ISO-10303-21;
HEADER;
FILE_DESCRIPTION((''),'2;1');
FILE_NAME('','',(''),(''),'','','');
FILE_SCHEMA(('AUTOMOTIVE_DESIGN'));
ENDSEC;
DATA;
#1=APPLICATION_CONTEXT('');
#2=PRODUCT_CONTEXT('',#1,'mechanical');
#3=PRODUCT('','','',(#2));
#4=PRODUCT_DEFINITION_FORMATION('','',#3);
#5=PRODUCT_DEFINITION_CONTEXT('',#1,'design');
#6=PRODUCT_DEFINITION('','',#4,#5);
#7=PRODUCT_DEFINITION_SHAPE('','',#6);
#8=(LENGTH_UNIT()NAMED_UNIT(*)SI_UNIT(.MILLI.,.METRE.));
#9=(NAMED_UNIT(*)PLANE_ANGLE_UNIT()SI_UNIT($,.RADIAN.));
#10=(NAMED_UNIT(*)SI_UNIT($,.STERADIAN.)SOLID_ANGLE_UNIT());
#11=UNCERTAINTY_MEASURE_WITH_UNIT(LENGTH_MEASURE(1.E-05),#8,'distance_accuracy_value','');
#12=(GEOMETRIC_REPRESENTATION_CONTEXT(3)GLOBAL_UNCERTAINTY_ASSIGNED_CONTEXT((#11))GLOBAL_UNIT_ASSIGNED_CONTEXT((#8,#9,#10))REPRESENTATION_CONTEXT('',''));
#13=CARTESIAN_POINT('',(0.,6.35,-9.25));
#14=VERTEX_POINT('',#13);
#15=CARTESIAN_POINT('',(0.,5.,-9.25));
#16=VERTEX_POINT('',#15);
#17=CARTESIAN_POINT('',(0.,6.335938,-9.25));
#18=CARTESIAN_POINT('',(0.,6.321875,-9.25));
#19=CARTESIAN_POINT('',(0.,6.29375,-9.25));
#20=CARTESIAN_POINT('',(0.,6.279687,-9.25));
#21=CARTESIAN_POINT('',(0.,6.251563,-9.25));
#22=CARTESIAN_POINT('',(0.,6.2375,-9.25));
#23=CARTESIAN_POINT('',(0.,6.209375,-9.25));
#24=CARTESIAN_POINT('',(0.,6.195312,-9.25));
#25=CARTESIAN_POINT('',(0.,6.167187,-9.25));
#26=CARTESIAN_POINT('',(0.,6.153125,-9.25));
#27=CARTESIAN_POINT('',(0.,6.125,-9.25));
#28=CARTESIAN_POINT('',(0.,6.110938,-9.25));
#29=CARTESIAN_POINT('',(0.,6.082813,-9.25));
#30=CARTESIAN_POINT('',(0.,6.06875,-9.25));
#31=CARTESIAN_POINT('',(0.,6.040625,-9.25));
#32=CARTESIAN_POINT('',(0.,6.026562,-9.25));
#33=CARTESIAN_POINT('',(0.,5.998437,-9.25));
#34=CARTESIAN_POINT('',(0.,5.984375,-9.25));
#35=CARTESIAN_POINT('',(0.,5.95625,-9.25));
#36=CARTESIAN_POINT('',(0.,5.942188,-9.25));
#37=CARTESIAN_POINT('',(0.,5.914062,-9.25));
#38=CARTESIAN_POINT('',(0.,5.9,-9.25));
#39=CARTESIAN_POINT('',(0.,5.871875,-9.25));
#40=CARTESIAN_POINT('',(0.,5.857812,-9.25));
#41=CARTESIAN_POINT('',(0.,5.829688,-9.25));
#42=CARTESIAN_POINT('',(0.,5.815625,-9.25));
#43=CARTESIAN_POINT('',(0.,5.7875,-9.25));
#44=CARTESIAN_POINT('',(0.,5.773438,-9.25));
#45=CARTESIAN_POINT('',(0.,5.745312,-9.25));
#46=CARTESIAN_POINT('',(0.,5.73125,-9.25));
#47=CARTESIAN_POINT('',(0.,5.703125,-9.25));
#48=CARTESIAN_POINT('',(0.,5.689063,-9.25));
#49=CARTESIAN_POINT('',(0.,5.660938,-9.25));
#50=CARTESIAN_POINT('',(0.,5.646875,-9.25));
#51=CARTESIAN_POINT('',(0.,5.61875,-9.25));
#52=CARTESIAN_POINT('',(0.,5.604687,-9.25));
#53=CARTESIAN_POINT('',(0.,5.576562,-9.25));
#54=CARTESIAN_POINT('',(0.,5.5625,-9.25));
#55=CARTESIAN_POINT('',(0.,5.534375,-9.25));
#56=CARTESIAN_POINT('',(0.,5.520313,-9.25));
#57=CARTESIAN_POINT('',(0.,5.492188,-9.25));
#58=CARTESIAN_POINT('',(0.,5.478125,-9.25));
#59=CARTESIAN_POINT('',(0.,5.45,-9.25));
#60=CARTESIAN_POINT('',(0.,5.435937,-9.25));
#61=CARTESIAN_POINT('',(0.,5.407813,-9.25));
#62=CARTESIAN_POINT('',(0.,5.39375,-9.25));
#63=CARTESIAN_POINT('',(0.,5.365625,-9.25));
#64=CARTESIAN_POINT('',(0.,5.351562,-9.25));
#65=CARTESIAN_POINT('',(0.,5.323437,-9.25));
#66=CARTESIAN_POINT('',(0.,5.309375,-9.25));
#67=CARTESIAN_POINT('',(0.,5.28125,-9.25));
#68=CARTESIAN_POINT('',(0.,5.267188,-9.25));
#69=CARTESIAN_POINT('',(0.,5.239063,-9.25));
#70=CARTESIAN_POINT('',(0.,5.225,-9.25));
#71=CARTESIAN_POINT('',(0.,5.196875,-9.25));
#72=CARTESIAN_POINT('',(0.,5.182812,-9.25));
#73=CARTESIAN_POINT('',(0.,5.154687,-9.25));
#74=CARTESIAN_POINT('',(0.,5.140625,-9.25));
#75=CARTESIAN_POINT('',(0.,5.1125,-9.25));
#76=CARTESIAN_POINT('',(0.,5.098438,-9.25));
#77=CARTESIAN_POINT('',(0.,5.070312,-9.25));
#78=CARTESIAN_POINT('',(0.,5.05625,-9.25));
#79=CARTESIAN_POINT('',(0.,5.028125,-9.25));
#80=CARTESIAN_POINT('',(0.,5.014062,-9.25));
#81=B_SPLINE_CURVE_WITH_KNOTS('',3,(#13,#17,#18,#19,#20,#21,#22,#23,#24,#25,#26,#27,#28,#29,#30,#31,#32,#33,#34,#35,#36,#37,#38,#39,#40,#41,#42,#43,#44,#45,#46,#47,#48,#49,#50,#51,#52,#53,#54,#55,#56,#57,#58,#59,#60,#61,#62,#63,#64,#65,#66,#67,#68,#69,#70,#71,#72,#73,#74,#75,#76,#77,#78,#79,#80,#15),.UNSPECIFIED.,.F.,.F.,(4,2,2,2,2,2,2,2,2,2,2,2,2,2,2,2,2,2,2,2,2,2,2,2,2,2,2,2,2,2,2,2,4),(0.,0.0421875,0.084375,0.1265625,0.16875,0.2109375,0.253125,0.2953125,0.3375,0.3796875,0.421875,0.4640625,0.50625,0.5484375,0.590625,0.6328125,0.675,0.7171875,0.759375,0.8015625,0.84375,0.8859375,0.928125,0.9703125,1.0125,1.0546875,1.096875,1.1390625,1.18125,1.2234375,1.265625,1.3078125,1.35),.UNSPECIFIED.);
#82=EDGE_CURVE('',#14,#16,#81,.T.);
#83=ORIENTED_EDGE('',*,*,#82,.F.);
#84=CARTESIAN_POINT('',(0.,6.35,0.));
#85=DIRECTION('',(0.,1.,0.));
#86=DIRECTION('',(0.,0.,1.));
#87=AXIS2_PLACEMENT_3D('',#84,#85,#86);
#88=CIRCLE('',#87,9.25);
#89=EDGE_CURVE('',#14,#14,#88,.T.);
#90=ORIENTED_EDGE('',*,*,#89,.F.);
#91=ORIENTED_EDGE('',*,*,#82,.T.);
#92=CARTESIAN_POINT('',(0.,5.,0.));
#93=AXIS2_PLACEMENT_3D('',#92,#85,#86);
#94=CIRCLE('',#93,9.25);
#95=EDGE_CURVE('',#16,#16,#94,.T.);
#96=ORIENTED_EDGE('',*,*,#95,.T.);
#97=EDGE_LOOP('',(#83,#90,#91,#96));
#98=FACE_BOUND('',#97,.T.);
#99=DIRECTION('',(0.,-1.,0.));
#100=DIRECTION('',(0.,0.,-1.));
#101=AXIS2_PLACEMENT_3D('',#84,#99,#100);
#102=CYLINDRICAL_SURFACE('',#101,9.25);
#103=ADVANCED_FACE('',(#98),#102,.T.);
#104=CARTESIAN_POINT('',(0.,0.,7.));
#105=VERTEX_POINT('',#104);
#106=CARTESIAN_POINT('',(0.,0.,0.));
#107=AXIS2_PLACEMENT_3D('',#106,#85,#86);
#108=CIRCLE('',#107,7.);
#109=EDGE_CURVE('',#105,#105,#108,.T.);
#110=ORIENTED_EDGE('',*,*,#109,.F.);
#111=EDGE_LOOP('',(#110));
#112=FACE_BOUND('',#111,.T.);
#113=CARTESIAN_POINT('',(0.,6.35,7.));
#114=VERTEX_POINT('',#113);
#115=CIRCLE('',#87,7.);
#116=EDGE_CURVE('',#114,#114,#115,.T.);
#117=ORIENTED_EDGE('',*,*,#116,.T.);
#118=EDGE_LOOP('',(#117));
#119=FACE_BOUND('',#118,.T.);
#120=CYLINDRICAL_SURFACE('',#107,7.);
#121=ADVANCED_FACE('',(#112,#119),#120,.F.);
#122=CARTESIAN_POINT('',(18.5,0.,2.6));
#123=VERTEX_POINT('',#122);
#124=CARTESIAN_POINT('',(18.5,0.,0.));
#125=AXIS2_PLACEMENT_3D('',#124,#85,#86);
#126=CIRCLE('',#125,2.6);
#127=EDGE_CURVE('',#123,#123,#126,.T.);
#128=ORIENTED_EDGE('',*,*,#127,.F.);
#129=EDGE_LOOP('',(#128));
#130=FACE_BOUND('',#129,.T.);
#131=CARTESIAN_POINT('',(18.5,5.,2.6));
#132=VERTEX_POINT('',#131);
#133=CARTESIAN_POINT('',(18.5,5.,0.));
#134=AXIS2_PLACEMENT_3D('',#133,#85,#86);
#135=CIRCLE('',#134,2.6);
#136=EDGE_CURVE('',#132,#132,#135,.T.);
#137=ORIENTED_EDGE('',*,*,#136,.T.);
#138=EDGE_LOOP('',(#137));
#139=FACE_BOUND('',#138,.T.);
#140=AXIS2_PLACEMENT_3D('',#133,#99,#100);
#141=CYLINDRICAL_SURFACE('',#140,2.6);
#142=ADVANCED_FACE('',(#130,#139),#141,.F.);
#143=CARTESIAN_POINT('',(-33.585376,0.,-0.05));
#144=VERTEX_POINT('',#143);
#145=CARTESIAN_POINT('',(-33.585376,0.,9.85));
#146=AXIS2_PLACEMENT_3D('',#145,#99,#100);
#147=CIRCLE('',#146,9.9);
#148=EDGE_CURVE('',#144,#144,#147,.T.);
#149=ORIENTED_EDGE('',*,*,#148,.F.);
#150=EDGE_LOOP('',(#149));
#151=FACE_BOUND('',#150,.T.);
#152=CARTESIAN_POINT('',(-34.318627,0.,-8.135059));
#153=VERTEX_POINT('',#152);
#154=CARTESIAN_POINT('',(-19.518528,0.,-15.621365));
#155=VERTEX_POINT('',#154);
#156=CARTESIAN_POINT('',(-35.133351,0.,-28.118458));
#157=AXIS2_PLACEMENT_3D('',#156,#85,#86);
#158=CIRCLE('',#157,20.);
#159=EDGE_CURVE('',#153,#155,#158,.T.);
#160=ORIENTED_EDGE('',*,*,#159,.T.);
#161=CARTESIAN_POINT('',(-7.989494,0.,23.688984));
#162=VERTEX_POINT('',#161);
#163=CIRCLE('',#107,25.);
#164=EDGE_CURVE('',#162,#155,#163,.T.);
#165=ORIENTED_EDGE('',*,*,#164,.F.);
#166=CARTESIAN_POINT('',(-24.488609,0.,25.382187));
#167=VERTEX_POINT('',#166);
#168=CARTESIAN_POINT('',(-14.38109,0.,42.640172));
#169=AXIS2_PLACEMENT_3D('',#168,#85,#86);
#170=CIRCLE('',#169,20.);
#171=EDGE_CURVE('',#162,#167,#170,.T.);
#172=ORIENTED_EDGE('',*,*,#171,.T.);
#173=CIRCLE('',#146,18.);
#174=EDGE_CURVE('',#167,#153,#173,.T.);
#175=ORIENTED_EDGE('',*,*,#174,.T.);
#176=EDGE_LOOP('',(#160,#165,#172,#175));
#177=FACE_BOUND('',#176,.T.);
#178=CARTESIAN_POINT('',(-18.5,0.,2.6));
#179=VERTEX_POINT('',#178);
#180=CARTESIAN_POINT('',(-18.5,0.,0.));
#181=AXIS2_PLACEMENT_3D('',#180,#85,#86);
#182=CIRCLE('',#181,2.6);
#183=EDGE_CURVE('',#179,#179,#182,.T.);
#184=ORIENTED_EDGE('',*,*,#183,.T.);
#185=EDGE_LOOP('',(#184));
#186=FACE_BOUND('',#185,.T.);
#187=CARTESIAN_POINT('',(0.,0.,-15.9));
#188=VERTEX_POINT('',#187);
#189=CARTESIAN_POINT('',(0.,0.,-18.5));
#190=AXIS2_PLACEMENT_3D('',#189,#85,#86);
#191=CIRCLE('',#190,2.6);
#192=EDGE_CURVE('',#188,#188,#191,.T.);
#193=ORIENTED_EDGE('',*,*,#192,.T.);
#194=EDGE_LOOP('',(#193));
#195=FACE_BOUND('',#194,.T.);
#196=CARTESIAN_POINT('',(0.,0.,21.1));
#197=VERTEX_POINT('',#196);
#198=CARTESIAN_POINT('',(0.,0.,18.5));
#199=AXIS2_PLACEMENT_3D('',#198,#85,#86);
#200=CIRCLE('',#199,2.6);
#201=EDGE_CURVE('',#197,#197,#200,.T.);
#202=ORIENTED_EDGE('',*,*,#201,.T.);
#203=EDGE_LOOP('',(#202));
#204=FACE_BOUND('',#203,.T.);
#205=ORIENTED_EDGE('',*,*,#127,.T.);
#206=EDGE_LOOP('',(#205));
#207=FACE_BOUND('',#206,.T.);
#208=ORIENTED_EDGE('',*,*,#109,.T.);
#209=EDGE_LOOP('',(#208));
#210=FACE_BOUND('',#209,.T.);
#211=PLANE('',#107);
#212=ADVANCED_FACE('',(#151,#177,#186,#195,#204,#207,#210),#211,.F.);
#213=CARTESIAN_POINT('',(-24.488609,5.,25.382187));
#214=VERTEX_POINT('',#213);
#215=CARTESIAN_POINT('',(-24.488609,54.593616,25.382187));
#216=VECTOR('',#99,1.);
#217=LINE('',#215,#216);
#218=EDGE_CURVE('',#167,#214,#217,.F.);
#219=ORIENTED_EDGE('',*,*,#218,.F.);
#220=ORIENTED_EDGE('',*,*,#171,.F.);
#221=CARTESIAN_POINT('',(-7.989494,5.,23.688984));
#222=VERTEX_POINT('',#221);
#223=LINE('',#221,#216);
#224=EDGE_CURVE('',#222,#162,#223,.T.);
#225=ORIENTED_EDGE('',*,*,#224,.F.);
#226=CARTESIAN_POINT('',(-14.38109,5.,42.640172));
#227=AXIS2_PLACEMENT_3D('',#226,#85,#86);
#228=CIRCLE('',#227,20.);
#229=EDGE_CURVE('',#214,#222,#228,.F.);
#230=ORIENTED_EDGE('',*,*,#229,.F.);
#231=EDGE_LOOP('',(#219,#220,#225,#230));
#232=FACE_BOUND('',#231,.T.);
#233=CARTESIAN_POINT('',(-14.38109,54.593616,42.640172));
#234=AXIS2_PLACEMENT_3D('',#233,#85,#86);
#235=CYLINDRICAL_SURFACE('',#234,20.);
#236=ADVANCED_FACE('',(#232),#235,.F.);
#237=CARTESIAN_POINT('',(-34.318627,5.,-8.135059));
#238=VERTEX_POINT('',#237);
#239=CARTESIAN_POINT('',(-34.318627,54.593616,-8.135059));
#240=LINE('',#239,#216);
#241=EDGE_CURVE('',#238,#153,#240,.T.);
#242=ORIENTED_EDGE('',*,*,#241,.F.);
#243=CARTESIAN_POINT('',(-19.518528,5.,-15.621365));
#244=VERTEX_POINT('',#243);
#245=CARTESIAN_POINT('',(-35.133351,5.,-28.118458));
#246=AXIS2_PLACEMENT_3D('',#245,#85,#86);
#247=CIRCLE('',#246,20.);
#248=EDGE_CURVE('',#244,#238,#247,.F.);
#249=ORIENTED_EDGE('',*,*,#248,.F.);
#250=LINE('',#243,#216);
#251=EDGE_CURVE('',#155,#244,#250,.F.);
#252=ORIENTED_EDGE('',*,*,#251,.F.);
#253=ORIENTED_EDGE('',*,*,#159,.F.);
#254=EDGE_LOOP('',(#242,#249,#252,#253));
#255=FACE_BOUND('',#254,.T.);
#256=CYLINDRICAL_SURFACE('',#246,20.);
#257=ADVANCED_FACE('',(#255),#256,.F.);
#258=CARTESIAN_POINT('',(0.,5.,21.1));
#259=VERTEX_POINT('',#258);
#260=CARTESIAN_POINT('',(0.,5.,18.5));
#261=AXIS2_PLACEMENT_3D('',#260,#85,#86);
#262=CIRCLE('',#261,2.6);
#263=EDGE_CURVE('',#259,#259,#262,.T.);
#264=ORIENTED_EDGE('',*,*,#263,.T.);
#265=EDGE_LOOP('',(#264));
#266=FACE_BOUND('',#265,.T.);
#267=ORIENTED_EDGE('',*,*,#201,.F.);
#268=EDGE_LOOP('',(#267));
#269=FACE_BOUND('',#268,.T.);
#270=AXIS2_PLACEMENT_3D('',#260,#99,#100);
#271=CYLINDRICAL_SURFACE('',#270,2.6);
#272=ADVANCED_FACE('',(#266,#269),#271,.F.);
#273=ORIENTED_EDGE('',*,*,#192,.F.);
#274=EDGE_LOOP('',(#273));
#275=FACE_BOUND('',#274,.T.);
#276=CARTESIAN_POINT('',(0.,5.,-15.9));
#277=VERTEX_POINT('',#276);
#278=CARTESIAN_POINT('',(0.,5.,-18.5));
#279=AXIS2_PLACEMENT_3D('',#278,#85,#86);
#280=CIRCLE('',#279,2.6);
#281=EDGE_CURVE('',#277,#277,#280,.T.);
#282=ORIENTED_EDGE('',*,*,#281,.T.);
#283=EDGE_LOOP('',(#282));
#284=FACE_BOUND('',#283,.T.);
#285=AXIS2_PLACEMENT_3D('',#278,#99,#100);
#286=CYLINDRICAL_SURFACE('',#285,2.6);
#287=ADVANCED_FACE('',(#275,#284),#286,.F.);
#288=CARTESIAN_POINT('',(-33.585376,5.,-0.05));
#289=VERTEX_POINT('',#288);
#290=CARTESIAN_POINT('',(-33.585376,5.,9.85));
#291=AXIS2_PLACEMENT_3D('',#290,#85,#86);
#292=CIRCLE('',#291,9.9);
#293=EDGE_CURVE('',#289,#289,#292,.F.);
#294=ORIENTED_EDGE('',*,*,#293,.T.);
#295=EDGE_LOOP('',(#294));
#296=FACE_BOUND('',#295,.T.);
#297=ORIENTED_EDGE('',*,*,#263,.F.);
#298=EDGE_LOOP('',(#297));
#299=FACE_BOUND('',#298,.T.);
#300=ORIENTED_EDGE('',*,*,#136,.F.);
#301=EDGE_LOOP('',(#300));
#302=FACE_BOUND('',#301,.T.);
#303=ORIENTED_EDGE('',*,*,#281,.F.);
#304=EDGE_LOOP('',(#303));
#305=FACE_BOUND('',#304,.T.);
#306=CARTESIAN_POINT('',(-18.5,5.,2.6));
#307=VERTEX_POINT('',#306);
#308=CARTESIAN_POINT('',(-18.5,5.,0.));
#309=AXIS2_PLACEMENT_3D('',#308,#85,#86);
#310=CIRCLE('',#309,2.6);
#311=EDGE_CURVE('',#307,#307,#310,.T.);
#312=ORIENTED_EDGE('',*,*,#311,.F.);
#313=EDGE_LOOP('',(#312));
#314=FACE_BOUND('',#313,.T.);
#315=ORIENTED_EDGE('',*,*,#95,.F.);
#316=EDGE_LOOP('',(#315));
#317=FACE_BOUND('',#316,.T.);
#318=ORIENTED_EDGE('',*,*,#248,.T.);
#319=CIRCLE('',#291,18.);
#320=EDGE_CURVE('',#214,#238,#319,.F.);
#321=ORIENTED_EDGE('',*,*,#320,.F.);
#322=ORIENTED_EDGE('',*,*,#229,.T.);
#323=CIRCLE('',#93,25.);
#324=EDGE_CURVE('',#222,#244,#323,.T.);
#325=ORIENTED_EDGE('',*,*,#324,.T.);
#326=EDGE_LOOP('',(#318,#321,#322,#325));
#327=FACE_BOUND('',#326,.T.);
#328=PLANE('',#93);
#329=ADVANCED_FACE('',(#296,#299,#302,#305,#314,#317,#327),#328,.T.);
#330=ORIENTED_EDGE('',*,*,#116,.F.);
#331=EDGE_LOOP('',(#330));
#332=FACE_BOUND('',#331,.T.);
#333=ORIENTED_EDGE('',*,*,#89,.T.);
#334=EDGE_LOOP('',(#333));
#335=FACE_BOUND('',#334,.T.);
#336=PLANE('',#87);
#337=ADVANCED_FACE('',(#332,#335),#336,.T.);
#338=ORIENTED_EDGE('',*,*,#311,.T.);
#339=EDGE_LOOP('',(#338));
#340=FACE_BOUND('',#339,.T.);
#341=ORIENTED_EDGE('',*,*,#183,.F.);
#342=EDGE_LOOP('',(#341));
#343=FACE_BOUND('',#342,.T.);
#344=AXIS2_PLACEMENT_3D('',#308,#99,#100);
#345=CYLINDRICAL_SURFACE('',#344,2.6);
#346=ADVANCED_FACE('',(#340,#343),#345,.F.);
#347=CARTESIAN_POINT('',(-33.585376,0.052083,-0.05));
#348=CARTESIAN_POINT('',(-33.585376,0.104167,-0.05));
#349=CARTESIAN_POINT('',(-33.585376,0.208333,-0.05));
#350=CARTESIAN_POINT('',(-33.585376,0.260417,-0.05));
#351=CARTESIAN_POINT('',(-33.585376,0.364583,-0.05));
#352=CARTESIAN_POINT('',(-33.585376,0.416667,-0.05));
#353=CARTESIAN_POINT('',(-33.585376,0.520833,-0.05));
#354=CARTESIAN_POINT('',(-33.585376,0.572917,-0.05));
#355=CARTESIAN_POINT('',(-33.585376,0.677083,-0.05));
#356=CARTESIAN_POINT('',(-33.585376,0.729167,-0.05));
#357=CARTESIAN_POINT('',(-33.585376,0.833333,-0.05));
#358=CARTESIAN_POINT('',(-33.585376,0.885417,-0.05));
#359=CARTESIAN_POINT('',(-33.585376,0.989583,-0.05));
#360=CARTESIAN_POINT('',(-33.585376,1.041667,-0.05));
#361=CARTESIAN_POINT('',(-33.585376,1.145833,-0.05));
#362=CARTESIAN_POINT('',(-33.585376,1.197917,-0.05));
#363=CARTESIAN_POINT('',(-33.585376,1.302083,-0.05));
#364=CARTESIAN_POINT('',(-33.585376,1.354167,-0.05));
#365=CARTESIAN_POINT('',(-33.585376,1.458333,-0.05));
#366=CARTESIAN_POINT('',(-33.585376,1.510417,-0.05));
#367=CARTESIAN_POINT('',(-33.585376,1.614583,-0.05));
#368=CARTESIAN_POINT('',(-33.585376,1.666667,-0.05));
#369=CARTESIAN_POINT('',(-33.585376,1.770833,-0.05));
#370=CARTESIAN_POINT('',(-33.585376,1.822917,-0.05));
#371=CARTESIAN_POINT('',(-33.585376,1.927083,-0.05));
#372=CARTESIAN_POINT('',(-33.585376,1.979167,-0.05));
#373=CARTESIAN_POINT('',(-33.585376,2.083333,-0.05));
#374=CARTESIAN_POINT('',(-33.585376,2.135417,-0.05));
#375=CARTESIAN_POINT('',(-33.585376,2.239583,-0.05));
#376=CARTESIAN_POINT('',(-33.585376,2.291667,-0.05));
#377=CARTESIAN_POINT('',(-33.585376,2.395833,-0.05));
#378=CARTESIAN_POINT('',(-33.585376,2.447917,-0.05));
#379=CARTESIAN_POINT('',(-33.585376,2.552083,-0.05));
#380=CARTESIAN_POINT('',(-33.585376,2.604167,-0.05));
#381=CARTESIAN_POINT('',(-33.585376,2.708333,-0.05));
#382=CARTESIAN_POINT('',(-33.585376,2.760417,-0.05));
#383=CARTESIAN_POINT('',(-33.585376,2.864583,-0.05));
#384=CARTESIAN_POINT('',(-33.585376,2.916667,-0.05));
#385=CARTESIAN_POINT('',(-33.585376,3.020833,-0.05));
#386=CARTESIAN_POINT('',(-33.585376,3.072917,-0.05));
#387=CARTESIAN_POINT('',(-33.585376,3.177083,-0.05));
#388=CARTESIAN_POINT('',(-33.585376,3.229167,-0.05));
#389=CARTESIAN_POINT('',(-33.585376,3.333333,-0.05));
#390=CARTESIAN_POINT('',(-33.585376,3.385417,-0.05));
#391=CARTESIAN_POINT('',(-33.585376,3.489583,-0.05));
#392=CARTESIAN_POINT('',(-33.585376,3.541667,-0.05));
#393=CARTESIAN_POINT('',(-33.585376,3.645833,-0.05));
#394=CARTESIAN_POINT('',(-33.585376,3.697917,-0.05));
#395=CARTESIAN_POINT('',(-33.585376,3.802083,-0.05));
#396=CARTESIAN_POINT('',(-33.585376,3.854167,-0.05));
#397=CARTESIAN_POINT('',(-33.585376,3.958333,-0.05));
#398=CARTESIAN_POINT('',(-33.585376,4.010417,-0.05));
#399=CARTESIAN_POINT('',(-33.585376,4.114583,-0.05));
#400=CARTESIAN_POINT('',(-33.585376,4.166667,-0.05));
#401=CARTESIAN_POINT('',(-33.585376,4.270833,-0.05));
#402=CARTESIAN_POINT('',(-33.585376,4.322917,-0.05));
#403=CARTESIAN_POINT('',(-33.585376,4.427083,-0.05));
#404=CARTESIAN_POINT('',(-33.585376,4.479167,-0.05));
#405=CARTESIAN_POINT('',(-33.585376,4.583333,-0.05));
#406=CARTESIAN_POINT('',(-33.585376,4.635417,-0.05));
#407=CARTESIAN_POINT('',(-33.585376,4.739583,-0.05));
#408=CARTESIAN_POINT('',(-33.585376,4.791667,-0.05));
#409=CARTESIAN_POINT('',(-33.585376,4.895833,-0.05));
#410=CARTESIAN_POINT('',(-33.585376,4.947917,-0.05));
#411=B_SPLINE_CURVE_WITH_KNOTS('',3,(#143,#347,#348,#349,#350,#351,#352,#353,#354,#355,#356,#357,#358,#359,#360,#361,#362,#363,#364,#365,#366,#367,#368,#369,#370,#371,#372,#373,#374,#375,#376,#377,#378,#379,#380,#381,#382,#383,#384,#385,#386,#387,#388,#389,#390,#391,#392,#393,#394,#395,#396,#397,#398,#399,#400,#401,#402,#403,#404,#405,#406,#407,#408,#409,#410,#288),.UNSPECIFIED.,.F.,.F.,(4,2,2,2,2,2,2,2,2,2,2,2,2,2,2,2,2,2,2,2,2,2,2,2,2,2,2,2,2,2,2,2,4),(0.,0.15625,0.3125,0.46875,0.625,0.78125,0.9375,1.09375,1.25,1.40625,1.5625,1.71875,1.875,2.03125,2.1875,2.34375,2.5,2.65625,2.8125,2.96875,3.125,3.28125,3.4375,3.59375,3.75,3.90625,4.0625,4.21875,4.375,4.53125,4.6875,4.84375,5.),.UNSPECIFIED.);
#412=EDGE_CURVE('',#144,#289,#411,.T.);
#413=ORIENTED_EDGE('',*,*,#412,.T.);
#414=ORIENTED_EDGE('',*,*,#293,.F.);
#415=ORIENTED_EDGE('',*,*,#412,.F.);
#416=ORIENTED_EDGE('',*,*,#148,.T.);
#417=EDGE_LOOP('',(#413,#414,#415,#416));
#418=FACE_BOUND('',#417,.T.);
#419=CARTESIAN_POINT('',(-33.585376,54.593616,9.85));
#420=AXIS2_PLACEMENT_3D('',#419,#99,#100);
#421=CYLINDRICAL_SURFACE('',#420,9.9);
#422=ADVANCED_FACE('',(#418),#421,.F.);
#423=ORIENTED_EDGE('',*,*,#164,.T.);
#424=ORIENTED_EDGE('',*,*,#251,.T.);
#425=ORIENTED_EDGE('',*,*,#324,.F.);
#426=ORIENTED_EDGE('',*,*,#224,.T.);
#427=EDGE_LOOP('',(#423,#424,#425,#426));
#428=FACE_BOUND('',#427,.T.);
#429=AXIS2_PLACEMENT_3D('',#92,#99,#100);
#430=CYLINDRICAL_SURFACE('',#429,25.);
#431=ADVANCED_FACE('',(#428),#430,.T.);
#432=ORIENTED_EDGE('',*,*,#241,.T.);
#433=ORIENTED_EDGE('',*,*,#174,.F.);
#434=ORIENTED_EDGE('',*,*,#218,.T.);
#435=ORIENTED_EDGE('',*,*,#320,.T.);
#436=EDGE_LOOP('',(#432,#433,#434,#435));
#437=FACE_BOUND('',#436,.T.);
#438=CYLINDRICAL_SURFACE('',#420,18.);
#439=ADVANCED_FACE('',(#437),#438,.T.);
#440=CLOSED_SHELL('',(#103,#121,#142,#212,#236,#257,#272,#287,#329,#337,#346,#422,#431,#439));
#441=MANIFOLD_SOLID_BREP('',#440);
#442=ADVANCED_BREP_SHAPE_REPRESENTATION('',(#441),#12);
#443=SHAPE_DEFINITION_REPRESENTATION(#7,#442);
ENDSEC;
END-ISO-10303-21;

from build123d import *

# Parameters (mm, degrees)
SKETCH2_R           = 25
SKETCH2_R_2         = 2.6
BOSS_EXTRUDE1_DEPTH = 5
SKETCH4_R           = 9.25
BOSS_EXTRUDE2_DEPTH = 1.35
SKETCH3_R           = 7
CUT_EXTRUDE1_DEPTH  = 36.921059283
SKETCH5_R           = 9.9
BOSS_EXTRUDE3_DEPTH = 5
FILLET1_R           = 20


with BuildPart() as part:
    # Sketch2 → Boss-Extrude1 (new body)
    with BuildSketch(Plane(origin=(0, 0, 0), x_dir=(1, 0, 0), z_dir=(0, 1, 0))):
        with Locations(Location((0, 0, 0), (0, 0, 270))):
            Circle(SKETCH2_R)
        with Locations(Location((0, 18.5, 0), (0, 0, 270))):
            Circle(SKETCH2_R_2, mode=Mode.SUBTRACT)
        with Locations(Location((18.5, 0, 0), (0, 0, 270))):
            Circle(SKETCH2_R_2, mode=Mode.SUBTRACT)
        with Locations(Location((0, -18.5, 0), (0, 0, 270))):
            Circle(SKETCH2_R_2, mode=Mode.SUBTRACT)
        with Locations(Location((-18.5, 0, 0), (0, 0, 270))):
            Circle(SKETCH2_R_2, mode=Mode.SUBTRACT)
    extrude(amount=BOSS_EXTRUDE1_DEPTH)

    # Sketch4 → Boss-Extrude2 (add)
    with BuildSketch(Plane(origin=(0, 5, 0), x_dir=(1, 0, 0), z_dir=(0, 1, 0))):
        with Locations(Location((0, 0, 0), (0, 0, 90))):
            Circle(SKETCH4_R)
    extrude(amount=BOSS_EXTRUDE2_DEPTH)

    # Sketch3 → Cut-Extrude1 (cut, through all)
    with BuildSketch(Plane(origin=(0, 6.35, 0), x_dir=(1, 0, 0), z_dir=(0, 1, 0))):
        with Locations(Location((0, 0, 0), (0, 0, 270))):
            Circle(SKETCH3_R)
    extrude(amount=-CUT_EXTRUDE1_DEPTH, mode=Mode.SUBTRACT)

    # Sketch5 → Boss-Extrude3 (add)
    with BuildSketch(Plane.XZ):
        with BuildLine():
            ThreePointArc((-17.474868047, 17.878170677), (-50.857855513, 14.915714286), (-24.362914979, -5.607884962))
            ThreePointArc((-24.362914979, -5.607884962), (-23.989554487, 7.035714286), (-17.474868047, 17.878170677))
        make_face()
        with Locations(Location((-33.585376282, 9.85, 0), (0, 0, 270))):
            Circle(SKETCH5_R, mode=Mode.SUBTRACT)
    extrude(amount=-BOSS_EXTRUDE3_DEPTH)

    # Fillet1
    fillet1_edges = [part.edges().sort_by_distance(p)[0] for p in [
        (-17.474868047, 2.5, 17.878170677),
        (-24.362914979, 2.5, -5.607884962),
    ]]
    fillet(fillet1_edges, radius=FILLET1_R)


solid = part.part
